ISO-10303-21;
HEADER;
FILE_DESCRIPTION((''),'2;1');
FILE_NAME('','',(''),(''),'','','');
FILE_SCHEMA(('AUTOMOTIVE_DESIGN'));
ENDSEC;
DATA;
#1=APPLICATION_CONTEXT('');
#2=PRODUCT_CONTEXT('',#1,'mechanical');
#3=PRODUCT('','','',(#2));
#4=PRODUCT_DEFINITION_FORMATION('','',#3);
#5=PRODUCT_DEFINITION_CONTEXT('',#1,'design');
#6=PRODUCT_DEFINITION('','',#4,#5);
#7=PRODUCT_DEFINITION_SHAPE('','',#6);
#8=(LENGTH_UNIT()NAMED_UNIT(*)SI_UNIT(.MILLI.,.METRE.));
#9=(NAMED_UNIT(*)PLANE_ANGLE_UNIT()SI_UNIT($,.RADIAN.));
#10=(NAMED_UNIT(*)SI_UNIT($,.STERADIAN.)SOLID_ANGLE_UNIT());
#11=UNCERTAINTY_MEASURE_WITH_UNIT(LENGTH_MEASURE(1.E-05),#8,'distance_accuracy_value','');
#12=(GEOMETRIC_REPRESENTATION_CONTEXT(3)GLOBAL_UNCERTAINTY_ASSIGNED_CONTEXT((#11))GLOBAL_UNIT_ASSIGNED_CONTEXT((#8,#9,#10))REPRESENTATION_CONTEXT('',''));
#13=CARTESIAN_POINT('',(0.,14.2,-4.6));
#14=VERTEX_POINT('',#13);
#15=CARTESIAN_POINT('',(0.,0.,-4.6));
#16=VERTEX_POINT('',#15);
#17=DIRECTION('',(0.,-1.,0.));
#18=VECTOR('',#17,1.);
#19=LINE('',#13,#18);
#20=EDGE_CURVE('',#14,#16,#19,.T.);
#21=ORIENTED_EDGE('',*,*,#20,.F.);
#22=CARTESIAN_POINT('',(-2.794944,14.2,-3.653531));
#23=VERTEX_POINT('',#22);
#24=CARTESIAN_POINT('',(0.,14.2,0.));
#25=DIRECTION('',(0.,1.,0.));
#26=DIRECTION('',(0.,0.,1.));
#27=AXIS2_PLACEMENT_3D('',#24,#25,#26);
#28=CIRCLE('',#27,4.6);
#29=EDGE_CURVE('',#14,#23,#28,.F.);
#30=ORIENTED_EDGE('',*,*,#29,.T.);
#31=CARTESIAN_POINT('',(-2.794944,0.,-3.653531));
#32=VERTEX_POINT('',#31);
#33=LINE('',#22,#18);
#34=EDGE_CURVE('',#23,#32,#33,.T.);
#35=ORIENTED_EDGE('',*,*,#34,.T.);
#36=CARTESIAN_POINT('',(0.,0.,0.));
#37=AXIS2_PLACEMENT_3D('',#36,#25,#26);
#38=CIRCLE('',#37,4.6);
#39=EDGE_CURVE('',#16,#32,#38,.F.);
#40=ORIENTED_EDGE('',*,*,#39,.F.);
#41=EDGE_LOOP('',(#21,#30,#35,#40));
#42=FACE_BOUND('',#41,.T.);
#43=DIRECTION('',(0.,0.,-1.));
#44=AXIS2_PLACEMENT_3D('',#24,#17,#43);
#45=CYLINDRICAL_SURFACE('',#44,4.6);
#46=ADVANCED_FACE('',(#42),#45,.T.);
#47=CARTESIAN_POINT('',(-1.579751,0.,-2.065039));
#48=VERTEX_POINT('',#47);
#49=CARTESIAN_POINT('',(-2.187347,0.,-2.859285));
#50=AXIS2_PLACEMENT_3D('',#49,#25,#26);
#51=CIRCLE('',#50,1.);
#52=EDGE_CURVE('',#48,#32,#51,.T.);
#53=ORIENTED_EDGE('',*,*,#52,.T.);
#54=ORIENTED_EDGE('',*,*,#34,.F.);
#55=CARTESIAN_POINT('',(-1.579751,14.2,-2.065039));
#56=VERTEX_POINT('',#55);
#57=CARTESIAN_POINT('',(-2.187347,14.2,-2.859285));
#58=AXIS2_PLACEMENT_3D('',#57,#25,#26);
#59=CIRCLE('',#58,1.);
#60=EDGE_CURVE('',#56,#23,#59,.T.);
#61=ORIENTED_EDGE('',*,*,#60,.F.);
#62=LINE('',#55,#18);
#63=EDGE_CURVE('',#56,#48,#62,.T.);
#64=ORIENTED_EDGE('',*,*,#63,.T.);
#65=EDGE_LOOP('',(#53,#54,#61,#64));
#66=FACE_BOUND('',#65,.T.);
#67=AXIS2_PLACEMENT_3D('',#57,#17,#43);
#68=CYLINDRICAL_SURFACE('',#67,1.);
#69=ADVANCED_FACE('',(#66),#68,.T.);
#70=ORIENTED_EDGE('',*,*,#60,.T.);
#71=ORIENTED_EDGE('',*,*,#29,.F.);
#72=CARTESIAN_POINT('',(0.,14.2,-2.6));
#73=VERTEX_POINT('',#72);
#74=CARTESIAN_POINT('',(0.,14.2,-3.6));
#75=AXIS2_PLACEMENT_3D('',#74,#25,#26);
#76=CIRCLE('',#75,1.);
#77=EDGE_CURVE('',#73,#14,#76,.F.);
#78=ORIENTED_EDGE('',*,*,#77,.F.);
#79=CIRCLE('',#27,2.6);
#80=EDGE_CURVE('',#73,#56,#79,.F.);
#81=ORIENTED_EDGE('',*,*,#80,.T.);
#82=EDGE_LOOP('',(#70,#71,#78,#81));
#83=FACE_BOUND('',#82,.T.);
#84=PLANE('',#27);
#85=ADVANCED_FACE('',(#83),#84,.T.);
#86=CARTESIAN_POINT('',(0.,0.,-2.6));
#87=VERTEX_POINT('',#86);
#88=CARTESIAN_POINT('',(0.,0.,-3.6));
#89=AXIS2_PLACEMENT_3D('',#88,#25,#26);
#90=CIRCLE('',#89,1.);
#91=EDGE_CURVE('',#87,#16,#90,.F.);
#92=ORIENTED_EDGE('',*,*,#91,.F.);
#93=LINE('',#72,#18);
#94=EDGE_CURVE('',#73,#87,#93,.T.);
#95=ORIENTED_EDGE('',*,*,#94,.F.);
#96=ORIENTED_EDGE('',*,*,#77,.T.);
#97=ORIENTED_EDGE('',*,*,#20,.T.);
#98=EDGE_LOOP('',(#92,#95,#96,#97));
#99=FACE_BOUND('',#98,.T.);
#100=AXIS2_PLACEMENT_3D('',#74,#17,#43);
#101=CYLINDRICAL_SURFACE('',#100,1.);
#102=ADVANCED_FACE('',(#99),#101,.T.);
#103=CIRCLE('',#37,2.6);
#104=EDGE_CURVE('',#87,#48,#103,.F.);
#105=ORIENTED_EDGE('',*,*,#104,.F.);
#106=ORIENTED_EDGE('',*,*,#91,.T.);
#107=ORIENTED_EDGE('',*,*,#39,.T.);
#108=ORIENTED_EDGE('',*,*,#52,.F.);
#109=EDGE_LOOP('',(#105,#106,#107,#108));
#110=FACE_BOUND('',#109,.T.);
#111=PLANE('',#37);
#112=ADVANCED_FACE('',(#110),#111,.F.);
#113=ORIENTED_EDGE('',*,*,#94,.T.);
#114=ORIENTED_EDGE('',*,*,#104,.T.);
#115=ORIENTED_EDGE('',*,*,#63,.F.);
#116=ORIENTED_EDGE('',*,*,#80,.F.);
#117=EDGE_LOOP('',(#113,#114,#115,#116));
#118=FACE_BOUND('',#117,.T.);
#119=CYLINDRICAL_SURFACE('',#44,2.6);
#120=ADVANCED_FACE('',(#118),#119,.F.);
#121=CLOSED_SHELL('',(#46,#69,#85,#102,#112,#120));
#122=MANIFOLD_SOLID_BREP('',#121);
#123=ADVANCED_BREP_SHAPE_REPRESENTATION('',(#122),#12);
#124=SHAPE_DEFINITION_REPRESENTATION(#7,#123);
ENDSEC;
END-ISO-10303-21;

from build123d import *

# Parameters (mm, degrees)
BOSS_EXTRUDE1_DEPTH = 14.2


with BuildPart() as part:
    # Sketch1 → Boss-Extrude1 (new body)
    with BuildSketch(Plane(origin=(0, 0, 0), x_dir=(1, 0, 0), z_dir=(0, 1, 0))):
        with BuildLine():
            ThreePointArc((0, 2.6), (0.833935879, -2.4626309), (-1.579750972, 2.065039192))
            ThreePointArc((-1.579750972, 2.065039192), (-1.393101657, 3.466881563), (-2.794944028, 3.653530879))
            ThreePointArc((-2.794944028, 3.653530879), (1.475425016, -4.356962362), (0, 4.6))
            ThreePointArc((0, 4.6), (-1, 3.6), (0, 2.6))
        make_face()
    extrude(amount=BOSS_EXTRUDE1_DEPTH)


solid = part.part
